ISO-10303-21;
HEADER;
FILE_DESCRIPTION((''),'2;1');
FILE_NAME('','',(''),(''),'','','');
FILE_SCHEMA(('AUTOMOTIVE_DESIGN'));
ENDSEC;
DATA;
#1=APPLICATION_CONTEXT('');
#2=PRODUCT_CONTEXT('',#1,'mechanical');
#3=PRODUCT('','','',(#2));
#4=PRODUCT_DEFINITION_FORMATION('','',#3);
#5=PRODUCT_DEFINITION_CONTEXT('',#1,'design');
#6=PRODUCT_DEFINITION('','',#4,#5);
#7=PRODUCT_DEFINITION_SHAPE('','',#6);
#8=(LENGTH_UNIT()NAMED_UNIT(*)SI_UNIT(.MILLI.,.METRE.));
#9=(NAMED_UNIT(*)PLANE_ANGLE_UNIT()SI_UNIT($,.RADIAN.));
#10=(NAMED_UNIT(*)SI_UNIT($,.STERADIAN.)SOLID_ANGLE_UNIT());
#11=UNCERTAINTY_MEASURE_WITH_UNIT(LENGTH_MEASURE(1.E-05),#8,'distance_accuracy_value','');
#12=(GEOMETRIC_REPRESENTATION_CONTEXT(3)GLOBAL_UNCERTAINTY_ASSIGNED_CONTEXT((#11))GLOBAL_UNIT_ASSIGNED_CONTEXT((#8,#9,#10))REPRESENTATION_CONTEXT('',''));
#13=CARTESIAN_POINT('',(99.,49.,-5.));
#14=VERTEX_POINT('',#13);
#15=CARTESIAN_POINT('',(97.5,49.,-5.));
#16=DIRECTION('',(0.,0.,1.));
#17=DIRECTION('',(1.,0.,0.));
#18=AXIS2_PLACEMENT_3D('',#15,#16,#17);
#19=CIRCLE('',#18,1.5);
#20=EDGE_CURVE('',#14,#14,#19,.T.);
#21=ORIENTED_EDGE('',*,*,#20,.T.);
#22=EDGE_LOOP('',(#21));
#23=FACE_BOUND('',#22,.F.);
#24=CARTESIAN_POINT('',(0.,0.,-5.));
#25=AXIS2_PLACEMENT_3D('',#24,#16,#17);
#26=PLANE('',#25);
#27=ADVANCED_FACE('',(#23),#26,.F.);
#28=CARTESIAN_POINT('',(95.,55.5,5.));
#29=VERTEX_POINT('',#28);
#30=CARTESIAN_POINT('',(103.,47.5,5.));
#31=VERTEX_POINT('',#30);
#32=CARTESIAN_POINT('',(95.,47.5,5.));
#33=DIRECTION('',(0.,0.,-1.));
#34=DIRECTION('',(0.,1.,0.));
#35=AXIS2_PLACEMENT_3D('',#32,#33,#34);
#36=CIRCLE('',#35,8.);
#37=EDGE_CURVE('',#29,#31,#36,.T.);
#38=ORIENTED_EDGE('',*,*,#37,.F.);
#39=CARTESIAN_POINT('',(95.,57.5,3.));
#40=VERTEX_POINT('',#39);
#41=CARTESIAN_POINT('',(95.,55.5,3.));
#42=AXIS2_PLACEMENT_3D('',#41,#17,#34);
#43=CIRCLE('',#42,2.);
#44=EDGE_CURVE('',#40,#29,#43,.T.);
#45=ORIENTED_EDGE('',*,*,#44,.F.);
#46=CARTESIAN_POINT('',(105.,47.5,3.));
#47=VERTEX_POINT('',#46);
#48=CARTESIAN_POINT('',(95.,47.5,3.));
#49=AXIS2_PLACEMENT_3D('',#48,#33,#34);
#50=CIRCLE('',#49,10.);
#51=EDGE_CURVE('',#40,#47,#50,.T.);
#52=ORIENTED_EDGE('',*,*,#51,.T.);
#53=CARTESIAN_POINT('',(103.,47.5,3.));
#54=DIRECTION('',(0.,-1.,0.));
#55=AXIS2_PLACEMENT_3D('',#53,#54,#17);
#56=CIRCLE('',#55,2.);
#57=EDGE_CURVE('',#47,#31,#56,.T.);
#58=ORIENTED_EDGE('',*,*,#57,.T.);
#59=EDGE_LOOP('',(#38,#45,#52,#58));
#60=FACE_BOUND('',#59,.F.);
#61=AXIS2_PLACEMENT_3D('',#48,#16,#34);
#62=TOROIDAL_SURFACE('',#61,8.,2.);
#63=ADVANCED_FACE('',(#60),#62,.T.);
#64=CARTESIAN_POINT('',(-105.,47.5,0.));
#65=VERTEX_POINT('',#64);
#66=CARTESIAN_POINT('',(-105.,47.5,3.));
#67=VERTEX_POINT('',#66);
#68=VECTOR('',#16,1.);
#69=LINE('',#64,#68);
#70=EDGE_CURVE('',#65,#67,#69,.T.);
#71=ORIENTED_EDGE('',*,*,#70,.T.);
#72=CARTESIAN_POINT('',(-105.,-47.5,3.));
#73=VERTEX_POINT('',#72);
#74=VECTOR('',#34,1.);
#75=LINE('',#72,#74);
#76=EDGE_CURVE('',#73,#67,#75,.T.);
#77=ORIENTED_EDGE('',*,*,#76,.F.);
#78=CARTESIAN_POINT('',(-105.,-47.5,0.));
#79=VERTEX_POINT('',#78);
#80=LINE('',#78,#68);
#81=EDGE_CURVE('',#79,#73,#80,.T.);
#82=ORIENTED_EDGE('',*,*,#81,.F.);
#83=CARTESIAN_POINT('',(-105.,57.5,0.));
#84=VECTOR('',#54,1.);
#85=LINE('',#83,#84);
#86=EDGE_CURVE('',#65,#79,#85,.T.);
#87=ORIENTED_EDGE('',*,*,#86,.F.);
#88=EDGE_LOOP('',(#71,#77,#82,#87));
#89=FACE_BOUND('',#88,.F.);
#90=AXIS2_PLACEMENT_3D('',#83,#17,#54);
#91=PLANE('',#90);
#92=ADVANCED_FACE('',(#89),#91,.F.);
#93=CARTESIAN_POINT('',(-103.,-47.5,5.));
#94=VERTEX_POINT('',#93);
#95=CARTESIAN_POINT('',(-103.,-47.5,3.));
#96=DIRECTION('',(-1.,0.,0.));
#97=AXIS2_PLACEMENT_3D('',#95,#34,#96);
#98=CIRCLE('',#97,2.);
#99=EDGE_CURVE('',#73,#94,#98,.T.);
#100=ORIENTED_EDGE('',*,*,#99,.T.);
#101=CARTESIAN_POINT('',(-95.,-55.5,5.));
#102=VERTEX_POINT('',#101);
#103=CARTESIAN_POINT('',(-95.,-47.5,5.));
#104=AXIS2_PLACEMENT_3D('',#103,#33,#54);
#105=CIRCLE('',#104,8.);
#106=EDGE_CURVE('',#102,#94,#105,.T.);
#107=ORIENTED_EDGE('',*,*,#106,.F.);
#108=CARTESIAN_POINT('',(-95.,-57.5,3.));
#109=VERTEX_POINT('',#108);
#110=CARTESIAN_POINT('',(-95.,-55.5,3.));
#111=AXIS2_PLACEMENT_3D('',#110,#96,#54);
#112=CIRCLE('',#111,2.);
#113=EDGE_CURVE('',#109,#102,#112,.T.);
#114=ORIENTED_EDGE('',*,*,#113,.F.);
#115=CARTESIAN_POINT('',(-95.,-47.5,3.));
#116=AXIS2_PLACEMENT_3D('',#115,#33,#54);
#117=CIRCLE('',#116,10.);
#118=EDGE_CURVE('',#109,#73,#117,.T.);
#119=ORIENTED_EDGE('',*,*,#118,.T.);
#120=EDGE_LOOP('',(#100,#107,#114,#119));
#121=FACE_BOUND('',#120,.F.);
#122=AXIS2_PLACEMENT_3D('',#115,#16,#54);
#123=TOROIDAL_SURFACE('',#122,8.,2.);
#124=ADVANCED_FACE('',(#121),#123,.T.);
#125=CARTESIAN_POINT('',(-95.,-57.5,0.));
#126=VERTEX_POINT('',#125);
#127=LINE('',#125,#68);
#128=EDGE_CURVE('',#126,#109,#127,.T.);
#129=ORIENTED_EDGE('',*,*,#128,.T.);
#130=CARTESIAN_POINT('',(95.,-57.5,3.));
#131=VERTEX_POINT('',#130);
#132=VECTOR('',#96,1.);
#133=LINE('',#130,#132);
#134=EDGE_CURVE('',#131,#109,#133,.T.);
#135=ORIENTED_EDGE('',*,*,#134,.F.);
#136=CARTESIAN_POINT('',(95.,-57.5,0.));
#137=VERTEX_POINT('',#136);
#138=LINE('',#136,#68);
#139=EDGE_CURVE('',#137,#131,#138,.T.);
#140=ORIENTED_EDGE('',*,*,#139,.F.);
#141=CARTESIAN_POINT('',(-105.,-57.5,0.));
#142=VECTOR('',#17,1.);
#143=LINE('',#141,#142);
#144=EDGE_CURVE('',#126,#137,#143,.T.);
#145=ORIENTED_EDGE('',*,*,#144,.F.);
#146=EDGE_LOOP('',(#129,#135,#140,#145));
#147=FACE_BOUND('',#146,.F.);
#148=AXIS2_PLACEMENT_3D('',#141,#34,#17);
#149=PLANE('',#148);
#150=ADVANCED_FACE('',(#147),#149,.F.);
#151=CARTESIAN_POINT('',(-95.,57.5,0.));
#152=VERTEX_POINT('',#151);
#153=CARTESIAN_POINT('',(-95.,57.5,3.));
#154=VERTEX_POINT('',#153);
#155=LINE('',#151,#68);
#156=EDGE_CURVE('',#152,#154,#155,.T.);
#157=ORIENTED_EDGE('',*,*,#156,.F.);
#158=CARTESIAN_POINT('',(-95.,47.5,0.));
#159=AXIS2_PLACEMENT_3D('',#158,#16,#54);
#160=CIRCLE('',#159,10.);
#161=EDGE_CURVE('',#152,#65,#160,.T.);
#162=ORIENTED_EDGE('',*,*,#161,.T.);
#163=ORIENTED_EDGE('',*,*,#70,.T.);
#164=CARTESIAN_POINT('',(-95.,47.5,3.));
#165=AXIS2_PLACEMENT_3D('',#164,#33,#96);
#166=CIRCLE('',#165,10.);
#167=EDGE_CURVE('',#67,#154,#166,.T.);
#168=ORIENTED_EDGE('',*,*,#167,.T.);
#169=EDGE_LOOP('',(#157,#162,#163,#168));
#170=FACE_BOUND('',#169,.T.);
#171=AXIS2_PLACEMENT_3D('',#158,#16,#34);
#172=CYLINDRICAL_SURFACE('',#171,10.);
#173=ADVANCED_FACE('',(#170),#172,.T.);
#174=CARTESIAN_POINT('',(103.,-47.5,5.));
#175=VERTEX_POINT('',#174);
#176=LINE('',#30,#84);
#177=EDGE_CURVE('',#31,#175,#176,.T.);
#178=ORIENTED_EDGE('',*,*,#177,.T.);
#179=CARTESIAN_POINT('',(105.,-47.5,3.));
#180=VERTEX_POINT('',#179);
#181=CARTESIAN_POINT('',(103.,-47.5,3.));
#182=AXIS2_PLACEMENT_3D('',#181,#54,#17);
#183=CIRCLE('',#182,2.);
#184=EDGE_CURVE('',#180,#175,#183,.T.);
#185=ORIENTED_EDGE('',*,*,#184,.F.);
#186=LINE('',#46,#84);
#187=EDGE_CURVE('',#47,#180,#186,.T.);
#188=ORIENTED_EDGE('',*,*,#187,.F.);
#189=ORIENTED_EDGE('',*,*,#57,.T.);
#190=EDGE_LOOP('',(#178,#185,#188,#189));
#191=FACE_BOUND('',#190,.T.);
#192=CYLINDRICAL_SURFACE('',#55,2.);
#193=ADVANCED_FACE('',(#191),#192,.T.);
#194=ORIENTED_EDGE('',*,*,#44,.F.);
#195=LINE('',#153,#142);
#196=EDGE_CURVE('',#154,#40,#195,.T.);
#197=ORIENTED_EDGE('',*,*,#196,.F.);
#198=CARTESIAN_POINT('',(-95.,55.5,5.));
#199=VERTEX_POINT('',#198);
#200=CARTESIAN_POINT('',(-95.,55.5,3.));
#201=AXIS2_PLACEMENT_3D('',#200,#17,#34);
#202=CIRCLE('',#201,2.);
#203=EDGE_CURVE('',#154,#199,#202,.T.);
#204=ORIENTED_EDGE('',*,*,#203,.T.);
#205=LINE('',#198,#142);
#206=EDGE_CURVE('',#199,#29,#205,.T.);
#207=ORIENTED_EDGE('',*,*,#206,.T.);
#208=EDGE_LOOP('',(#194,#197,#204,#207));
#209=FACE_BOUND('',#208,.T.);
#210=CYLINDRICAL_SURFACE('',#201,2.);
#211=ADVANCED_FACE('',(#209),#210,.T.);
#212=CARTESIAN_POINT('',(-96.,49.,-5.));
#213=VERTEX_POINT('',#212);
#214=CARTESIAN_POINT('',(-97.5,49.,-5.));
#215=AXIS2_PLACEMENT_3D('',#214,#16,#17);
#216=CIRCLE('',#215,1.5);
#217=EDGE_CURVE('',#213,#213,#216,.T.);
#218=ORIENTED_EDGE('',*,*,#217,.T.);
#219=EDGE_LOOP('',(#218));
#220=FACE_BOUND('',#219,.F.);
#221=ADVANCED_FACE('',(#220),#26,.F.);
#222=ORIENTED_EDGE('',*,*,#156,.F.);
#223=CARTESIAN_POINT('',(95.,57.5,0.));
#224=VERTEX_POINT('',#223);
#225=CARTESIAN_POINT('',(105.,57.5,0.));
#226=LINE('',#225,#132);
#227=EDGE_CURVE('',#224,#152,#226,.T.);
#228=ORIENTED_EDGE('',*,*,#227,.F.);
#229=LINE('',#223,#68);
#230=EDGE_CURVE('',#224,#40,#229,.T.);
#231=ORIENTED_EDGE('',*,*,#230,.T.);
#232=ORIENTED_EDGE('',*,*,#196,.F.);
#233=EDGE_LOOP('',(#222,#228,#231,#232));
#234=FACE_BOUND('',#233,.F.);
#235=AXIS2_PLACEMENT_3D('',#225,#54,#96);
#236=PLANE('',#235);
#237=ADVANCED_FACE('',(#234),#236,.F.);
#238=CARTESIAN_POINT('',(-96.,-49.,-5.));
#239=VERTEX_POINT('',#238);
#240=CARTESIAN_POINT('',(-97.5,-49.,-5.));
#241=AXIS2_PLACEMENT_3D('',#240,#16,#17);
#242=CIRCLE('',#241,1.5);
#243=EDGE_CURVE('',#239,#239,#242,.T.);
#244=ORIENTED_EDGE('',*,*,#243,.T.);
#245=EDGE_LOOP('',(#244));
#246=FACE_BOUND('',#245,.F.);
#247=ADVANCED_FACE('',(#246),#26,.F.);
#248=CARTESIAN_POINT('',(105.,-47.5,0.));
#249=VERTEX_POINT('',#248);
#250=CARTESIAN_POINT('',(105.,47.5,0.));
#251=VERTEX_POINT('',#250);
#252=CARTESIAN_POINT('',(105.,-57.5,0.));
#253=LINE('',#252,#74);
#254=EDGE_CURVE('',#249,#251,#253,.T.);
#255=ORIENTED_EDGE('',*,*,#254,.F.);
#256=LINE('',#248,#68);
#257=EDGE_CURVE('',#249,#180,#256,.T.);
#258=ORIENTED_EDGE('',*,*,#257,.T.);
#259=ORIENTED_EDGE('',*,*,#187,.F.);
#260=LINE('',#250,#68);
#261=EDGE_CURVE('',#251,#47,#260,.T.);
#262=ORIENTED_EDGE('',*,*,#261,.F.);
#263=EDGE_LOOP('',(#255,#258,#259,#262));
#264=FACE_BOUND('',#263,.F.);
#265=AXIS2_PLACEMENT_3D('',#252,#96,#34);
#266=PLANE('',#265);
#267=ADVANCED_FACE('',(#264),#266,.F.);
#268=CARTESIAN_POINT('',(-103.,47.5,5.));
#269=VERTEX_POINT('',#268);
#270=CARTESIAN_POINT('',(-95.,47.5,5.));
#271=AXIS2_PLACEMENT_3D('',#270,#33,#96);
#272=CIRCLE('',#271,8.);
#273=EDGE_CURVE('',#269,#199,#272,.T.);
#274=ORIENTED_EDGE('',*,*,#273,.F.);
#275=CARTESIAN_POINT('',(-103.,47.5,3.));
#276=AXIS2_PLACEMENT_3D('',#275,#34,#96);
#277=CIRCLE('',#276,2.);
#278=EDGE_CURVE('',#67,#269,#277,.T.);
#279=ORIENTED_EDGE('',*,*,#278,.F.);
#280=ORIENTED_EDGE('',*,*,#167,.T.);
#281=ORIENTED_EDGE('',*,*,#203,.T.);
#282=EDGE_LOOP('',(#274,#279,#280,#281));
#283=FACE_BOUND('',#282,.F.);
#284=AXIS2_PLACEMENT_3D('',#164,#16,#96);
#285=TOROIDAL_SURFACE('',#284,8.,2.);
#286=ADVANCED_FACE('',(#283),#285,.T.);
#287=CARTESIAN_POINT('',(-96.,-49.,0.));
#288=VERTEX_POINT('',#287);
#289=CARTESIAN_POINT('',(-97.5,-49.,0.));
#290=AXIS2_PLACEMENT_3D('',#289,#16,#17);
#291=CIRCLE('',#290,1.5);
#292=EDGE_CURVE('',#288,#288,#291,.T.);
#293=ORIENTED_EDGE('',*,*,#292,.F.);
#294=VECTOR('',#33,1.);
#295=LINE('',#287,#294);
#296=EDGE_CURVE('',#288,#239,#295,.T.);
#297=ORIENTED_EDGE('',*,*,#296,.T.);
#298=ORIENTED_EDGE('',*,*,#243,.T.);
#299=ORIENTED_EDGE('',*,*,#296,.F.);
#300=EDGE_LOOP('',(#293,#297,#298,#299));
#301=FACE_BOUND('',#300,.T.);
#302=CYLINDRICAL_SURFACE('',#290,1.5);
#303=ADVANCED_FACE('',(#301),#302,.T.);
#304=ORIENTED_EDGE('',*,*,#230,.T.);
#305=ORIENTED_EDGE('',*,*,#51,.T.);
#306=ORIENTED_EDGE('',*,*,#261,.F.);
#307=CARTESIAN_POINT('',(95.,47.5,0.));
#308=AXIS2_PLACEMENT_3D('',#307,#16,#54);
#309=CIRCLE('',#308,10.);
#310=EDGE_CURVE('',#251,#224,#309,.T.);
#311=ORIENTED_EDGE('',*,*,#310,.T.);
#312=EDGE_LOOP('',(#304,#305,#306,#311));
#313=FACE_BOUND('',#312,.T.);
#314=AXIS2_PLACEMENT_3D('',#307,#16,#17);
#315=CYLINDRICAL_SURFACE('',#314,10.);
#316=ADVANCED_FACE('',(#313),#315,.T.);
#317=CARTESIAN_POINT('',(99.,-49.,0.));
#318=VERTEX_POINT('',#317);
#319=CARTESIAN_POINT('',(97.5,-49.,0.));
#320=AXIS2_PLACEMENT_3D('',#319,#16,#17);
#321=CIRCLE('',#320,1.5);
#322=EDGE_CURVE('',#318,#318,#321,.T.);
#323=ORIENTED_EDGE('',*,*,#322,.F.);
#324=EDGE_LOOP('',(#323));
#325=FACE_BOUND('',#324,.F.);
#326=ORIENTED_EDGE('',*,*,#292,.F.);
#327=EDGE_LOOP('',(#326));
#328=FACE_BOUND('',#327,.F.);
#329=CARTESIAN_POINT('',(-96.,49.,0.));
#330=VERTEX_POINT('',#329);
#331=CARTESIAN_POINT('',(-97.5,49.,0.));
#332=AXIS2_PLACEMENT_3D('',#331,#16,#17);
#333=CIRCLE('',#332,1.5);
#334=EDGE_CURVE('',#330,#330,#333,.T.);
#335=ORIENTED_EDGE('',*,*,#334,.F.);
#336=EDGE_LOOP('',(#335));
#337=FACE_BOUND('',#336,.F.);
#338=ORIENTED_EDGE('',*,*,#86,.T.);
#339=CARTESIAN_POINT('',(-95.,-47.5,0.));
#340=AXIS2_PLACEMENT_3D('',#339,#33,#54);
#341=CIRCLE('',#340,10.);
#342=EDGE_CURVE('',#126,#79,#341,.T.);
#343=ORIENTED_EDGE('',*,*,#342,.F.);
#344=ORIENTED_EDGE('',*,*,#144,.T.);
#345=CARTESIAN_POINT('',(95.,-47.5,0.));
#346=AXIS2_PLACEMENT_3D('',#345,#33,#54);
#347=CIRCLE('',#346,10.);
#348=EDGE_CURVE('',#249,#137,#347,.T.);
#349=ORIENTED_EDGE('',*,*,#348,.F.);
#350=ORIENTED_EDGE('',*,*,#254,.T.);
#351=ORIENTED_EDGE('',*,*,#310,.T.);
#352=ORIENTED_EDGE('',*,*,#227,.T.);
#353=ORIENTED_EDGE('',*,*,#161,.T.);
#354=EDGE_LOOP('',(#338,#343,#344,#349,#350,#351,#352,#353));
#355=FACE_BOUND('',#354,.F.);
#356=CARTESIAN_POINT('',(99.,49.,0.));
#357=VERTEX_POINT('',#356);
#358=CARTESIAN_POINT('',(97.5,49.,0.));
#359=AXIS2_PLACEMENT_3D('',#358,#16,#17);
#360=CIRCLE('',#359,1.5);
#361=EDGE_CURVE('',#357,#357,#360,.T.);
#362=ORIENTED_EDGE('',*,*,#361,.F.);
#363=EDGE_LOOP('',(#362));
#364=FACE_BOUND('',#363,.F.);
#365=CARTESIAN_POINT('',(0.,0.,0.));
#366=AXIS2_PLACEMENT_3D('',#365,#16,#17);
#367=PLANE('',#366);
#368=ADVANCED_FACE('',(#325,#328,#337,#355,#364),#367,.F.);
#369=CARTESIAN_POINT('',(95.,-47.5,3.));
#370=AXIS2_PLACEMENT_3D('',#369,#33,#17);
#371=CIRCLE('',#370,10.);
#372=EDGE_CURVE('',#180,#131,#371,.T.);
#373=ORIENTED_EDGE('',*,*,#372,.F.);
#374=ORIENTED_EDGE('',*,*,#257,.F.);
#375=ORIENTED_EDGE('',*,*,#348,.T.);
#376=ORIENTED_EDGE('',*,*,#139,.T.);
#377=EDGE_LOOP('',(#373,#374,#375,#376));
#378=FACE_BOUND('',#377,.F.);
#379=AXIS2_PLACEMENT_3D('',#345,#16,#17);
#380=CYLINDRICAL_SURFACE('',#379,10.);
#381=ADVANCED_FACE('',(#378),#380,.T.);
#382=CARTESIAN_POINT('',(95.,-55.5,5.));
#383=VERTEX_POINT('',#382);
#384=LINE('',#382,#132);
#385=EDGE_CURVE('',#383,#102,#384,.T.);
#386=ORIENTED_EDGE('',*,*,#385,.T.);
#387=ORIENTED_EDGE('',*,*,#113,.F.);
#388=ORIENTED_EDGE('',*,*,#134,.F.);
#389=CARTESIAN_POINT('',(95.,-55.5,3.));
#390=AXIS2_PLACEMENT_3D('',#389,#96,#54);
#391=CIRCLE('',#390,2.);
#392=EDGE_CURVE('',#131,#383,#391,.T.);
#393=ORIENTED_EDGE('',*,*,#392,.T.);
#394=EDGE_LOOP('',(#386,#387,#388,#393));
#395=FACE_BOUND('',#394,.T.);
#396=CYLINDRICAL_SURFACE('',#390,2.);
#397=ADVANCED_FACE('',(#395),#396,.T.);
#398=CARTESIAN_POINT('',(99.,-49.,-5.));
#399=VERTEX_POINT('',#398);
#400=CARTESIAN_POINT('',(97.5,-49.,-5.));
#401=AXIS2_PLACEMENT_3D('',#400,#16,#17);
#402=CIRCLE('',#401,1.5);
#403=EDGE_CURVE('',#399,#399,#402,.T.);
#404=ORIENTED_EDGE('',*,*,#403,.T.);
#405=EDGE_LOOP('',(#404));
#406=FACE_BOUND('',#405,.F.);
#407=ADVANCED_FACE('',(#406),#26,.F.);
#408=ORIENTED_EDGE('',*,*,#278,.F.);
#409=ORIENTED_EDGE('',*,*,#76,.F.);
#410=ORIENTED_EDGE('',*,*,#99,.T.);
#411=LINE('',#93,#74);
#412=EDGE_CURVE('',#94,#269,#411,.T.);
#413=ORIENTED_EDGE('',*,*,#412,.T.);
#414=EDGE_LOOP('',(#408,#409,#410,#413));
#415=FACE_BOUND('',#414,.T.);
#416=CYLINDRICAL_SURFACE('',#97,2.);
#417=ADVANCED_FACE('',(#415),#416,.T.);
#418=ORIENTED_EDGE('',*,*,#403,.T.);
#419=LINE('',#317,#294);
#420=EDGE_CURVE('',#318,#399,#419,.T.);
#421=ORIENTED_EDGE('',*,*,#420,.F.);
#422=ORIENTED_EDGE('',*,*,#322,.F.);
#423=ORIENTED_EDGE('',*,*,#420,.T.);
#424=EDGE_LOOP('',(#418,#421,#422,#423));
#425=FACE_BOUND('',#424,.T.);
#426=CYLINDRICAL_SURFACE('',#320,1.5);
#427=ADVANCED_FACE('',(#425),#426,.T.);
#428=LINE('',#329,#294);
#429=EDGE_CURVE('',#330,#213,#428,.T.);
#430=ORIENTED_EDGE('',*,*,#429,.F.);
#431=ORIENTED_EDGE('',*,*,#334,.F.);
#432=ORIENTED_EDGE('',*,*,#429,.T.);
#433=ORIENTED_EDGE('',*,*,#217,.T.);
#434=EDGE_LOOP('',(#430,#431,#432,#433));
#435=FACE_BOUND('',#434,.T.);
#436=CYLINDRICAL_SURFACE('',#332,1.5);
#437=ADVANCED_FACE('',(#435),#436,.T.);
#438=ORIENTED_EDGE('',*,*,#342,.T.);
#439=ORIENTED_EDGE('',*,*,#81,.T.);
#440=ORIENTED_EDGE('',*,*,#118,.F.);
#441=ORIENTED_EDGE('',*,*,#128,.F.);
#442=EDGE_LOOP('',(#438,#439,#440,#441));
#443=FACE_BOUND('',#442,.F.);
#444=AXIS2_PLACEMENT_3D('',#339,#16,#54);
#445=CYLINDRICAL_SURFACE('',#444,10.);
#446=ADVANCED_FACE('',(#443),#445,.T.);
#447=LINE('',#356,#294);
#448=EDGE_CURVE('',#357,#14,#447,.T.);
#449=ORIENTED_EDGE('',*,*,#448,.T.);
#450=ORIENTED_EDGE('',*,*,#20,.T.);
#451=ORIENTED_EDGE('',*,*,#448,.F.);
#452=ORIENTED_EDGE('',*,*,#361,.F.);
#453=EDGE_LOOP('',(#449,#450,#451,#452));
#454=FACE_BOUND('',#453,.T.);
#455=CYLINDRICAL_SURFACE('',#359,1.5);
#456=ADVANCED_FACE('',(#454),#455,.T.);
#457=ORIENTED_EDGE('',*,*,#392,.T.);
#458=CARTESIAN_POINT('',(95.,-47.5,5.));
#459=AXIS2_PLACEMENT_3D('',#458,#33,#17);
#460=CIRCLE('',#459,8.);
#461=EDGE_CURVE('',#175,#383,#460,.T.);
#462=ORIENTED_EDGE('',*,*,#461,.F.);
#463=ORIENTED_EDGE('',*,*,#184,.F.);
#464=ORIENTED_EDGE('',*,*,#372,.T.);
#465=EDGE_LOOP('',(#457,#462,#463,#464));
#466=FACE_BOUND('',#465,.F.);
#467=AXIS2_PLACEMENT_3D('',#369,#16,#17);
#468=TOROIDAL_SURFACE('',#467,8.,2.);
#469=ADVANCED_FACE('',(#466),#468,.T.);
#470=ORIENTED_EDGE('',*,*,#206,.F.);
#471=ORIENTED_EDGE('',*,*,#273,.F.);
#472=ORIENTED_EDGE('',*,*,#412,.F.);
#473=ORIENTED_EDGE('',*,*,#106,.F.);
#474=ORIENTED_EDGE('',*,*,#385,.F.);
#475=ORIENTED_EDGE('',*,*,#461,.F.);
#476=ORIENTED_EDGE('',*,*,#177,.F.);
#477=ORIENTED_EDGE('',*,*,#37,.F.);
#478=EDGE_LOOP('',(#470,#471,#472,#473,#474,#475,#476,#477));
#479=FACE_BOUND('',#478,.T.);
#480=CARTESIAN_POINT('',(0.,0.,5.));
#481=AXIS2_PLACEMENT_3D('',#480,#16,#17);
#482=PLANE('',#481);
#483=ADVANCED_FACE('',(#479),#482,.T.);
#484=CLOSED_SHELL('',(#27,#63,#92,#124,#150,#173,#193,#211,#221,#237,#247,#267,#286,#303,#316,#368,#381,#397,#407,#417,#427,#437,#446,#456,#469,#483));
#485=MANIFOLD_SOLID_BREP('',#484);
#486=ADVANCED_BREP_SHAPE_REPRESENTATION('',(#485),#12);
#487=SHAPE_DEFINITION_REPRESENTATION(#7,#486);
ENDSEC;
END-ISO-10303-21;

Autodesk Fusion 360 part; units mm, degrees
sketch "Sketch1" plane through (0, 0, 0) normal (0, 0, 1) x (1, 0, 0)
  line L0 (105, 57.5) -> (-105, 57.5)
  line L1 (-105, 57.5) -> (-105, -57.5)
  line L2 (-105, -57.5) -> (105, -57.5)
  line L3 (105, -57.5) -> (105, 57.5)
  line L4 (105, 57.5) -> (-105, -57.5) construction
  line L5 (-105, 57.5) -> (105, -57.5) construction
  circle A0 centre (97.5, -49) radius 1.5
  line L6 (0, 57.5) -> (0, -57.5) construction
  line L7 (-105, 0) -> (105, 0) construction
  circle A1 centre (97.5, 49) radius 1.5
  circle A2 centre (-97.5, -49) radius 1.5
  circle A3 centre (-97.5, 49) radius 1.5
  dimension "d1" = 210
  dimension "d2" = 115
  dimension "d3" = 3
  dimension "d4" = 97.5
  dimension "d5" = 49
extrude "Extrude1" add sketch "Sketch1" along normal blind 5 contours L0 L1 L2 L3 | A0 | A1 | A2 | A3
extrude "Extrude2" add sketch "Sketch1" against normal blind 5 contours A0 | A1 | A2 | A3
fillet "Fillet1" radius 10 4 edges at (-105, -57.5, 2.5) (-105, 57.5, 2.5) (105, -57.5, 2.5) (105, 57.5, 2.5)
fillet "Fillet2" radius 2 8 edges at (102.0711, -54.5711, 5) (105, 0, 5) (102.0711, 54.5711, 5) (0, 57.5, 5) (-102.0711, 54.5711, 5) (-105, 0, 5) (-102.0711, -54.5711, 5) (0, -57.5, 5)
equation "d4 = ( 195 / 2 ) * 1 mm"
equation "d5 = ( 98 / 2 ) * 1 mm"
